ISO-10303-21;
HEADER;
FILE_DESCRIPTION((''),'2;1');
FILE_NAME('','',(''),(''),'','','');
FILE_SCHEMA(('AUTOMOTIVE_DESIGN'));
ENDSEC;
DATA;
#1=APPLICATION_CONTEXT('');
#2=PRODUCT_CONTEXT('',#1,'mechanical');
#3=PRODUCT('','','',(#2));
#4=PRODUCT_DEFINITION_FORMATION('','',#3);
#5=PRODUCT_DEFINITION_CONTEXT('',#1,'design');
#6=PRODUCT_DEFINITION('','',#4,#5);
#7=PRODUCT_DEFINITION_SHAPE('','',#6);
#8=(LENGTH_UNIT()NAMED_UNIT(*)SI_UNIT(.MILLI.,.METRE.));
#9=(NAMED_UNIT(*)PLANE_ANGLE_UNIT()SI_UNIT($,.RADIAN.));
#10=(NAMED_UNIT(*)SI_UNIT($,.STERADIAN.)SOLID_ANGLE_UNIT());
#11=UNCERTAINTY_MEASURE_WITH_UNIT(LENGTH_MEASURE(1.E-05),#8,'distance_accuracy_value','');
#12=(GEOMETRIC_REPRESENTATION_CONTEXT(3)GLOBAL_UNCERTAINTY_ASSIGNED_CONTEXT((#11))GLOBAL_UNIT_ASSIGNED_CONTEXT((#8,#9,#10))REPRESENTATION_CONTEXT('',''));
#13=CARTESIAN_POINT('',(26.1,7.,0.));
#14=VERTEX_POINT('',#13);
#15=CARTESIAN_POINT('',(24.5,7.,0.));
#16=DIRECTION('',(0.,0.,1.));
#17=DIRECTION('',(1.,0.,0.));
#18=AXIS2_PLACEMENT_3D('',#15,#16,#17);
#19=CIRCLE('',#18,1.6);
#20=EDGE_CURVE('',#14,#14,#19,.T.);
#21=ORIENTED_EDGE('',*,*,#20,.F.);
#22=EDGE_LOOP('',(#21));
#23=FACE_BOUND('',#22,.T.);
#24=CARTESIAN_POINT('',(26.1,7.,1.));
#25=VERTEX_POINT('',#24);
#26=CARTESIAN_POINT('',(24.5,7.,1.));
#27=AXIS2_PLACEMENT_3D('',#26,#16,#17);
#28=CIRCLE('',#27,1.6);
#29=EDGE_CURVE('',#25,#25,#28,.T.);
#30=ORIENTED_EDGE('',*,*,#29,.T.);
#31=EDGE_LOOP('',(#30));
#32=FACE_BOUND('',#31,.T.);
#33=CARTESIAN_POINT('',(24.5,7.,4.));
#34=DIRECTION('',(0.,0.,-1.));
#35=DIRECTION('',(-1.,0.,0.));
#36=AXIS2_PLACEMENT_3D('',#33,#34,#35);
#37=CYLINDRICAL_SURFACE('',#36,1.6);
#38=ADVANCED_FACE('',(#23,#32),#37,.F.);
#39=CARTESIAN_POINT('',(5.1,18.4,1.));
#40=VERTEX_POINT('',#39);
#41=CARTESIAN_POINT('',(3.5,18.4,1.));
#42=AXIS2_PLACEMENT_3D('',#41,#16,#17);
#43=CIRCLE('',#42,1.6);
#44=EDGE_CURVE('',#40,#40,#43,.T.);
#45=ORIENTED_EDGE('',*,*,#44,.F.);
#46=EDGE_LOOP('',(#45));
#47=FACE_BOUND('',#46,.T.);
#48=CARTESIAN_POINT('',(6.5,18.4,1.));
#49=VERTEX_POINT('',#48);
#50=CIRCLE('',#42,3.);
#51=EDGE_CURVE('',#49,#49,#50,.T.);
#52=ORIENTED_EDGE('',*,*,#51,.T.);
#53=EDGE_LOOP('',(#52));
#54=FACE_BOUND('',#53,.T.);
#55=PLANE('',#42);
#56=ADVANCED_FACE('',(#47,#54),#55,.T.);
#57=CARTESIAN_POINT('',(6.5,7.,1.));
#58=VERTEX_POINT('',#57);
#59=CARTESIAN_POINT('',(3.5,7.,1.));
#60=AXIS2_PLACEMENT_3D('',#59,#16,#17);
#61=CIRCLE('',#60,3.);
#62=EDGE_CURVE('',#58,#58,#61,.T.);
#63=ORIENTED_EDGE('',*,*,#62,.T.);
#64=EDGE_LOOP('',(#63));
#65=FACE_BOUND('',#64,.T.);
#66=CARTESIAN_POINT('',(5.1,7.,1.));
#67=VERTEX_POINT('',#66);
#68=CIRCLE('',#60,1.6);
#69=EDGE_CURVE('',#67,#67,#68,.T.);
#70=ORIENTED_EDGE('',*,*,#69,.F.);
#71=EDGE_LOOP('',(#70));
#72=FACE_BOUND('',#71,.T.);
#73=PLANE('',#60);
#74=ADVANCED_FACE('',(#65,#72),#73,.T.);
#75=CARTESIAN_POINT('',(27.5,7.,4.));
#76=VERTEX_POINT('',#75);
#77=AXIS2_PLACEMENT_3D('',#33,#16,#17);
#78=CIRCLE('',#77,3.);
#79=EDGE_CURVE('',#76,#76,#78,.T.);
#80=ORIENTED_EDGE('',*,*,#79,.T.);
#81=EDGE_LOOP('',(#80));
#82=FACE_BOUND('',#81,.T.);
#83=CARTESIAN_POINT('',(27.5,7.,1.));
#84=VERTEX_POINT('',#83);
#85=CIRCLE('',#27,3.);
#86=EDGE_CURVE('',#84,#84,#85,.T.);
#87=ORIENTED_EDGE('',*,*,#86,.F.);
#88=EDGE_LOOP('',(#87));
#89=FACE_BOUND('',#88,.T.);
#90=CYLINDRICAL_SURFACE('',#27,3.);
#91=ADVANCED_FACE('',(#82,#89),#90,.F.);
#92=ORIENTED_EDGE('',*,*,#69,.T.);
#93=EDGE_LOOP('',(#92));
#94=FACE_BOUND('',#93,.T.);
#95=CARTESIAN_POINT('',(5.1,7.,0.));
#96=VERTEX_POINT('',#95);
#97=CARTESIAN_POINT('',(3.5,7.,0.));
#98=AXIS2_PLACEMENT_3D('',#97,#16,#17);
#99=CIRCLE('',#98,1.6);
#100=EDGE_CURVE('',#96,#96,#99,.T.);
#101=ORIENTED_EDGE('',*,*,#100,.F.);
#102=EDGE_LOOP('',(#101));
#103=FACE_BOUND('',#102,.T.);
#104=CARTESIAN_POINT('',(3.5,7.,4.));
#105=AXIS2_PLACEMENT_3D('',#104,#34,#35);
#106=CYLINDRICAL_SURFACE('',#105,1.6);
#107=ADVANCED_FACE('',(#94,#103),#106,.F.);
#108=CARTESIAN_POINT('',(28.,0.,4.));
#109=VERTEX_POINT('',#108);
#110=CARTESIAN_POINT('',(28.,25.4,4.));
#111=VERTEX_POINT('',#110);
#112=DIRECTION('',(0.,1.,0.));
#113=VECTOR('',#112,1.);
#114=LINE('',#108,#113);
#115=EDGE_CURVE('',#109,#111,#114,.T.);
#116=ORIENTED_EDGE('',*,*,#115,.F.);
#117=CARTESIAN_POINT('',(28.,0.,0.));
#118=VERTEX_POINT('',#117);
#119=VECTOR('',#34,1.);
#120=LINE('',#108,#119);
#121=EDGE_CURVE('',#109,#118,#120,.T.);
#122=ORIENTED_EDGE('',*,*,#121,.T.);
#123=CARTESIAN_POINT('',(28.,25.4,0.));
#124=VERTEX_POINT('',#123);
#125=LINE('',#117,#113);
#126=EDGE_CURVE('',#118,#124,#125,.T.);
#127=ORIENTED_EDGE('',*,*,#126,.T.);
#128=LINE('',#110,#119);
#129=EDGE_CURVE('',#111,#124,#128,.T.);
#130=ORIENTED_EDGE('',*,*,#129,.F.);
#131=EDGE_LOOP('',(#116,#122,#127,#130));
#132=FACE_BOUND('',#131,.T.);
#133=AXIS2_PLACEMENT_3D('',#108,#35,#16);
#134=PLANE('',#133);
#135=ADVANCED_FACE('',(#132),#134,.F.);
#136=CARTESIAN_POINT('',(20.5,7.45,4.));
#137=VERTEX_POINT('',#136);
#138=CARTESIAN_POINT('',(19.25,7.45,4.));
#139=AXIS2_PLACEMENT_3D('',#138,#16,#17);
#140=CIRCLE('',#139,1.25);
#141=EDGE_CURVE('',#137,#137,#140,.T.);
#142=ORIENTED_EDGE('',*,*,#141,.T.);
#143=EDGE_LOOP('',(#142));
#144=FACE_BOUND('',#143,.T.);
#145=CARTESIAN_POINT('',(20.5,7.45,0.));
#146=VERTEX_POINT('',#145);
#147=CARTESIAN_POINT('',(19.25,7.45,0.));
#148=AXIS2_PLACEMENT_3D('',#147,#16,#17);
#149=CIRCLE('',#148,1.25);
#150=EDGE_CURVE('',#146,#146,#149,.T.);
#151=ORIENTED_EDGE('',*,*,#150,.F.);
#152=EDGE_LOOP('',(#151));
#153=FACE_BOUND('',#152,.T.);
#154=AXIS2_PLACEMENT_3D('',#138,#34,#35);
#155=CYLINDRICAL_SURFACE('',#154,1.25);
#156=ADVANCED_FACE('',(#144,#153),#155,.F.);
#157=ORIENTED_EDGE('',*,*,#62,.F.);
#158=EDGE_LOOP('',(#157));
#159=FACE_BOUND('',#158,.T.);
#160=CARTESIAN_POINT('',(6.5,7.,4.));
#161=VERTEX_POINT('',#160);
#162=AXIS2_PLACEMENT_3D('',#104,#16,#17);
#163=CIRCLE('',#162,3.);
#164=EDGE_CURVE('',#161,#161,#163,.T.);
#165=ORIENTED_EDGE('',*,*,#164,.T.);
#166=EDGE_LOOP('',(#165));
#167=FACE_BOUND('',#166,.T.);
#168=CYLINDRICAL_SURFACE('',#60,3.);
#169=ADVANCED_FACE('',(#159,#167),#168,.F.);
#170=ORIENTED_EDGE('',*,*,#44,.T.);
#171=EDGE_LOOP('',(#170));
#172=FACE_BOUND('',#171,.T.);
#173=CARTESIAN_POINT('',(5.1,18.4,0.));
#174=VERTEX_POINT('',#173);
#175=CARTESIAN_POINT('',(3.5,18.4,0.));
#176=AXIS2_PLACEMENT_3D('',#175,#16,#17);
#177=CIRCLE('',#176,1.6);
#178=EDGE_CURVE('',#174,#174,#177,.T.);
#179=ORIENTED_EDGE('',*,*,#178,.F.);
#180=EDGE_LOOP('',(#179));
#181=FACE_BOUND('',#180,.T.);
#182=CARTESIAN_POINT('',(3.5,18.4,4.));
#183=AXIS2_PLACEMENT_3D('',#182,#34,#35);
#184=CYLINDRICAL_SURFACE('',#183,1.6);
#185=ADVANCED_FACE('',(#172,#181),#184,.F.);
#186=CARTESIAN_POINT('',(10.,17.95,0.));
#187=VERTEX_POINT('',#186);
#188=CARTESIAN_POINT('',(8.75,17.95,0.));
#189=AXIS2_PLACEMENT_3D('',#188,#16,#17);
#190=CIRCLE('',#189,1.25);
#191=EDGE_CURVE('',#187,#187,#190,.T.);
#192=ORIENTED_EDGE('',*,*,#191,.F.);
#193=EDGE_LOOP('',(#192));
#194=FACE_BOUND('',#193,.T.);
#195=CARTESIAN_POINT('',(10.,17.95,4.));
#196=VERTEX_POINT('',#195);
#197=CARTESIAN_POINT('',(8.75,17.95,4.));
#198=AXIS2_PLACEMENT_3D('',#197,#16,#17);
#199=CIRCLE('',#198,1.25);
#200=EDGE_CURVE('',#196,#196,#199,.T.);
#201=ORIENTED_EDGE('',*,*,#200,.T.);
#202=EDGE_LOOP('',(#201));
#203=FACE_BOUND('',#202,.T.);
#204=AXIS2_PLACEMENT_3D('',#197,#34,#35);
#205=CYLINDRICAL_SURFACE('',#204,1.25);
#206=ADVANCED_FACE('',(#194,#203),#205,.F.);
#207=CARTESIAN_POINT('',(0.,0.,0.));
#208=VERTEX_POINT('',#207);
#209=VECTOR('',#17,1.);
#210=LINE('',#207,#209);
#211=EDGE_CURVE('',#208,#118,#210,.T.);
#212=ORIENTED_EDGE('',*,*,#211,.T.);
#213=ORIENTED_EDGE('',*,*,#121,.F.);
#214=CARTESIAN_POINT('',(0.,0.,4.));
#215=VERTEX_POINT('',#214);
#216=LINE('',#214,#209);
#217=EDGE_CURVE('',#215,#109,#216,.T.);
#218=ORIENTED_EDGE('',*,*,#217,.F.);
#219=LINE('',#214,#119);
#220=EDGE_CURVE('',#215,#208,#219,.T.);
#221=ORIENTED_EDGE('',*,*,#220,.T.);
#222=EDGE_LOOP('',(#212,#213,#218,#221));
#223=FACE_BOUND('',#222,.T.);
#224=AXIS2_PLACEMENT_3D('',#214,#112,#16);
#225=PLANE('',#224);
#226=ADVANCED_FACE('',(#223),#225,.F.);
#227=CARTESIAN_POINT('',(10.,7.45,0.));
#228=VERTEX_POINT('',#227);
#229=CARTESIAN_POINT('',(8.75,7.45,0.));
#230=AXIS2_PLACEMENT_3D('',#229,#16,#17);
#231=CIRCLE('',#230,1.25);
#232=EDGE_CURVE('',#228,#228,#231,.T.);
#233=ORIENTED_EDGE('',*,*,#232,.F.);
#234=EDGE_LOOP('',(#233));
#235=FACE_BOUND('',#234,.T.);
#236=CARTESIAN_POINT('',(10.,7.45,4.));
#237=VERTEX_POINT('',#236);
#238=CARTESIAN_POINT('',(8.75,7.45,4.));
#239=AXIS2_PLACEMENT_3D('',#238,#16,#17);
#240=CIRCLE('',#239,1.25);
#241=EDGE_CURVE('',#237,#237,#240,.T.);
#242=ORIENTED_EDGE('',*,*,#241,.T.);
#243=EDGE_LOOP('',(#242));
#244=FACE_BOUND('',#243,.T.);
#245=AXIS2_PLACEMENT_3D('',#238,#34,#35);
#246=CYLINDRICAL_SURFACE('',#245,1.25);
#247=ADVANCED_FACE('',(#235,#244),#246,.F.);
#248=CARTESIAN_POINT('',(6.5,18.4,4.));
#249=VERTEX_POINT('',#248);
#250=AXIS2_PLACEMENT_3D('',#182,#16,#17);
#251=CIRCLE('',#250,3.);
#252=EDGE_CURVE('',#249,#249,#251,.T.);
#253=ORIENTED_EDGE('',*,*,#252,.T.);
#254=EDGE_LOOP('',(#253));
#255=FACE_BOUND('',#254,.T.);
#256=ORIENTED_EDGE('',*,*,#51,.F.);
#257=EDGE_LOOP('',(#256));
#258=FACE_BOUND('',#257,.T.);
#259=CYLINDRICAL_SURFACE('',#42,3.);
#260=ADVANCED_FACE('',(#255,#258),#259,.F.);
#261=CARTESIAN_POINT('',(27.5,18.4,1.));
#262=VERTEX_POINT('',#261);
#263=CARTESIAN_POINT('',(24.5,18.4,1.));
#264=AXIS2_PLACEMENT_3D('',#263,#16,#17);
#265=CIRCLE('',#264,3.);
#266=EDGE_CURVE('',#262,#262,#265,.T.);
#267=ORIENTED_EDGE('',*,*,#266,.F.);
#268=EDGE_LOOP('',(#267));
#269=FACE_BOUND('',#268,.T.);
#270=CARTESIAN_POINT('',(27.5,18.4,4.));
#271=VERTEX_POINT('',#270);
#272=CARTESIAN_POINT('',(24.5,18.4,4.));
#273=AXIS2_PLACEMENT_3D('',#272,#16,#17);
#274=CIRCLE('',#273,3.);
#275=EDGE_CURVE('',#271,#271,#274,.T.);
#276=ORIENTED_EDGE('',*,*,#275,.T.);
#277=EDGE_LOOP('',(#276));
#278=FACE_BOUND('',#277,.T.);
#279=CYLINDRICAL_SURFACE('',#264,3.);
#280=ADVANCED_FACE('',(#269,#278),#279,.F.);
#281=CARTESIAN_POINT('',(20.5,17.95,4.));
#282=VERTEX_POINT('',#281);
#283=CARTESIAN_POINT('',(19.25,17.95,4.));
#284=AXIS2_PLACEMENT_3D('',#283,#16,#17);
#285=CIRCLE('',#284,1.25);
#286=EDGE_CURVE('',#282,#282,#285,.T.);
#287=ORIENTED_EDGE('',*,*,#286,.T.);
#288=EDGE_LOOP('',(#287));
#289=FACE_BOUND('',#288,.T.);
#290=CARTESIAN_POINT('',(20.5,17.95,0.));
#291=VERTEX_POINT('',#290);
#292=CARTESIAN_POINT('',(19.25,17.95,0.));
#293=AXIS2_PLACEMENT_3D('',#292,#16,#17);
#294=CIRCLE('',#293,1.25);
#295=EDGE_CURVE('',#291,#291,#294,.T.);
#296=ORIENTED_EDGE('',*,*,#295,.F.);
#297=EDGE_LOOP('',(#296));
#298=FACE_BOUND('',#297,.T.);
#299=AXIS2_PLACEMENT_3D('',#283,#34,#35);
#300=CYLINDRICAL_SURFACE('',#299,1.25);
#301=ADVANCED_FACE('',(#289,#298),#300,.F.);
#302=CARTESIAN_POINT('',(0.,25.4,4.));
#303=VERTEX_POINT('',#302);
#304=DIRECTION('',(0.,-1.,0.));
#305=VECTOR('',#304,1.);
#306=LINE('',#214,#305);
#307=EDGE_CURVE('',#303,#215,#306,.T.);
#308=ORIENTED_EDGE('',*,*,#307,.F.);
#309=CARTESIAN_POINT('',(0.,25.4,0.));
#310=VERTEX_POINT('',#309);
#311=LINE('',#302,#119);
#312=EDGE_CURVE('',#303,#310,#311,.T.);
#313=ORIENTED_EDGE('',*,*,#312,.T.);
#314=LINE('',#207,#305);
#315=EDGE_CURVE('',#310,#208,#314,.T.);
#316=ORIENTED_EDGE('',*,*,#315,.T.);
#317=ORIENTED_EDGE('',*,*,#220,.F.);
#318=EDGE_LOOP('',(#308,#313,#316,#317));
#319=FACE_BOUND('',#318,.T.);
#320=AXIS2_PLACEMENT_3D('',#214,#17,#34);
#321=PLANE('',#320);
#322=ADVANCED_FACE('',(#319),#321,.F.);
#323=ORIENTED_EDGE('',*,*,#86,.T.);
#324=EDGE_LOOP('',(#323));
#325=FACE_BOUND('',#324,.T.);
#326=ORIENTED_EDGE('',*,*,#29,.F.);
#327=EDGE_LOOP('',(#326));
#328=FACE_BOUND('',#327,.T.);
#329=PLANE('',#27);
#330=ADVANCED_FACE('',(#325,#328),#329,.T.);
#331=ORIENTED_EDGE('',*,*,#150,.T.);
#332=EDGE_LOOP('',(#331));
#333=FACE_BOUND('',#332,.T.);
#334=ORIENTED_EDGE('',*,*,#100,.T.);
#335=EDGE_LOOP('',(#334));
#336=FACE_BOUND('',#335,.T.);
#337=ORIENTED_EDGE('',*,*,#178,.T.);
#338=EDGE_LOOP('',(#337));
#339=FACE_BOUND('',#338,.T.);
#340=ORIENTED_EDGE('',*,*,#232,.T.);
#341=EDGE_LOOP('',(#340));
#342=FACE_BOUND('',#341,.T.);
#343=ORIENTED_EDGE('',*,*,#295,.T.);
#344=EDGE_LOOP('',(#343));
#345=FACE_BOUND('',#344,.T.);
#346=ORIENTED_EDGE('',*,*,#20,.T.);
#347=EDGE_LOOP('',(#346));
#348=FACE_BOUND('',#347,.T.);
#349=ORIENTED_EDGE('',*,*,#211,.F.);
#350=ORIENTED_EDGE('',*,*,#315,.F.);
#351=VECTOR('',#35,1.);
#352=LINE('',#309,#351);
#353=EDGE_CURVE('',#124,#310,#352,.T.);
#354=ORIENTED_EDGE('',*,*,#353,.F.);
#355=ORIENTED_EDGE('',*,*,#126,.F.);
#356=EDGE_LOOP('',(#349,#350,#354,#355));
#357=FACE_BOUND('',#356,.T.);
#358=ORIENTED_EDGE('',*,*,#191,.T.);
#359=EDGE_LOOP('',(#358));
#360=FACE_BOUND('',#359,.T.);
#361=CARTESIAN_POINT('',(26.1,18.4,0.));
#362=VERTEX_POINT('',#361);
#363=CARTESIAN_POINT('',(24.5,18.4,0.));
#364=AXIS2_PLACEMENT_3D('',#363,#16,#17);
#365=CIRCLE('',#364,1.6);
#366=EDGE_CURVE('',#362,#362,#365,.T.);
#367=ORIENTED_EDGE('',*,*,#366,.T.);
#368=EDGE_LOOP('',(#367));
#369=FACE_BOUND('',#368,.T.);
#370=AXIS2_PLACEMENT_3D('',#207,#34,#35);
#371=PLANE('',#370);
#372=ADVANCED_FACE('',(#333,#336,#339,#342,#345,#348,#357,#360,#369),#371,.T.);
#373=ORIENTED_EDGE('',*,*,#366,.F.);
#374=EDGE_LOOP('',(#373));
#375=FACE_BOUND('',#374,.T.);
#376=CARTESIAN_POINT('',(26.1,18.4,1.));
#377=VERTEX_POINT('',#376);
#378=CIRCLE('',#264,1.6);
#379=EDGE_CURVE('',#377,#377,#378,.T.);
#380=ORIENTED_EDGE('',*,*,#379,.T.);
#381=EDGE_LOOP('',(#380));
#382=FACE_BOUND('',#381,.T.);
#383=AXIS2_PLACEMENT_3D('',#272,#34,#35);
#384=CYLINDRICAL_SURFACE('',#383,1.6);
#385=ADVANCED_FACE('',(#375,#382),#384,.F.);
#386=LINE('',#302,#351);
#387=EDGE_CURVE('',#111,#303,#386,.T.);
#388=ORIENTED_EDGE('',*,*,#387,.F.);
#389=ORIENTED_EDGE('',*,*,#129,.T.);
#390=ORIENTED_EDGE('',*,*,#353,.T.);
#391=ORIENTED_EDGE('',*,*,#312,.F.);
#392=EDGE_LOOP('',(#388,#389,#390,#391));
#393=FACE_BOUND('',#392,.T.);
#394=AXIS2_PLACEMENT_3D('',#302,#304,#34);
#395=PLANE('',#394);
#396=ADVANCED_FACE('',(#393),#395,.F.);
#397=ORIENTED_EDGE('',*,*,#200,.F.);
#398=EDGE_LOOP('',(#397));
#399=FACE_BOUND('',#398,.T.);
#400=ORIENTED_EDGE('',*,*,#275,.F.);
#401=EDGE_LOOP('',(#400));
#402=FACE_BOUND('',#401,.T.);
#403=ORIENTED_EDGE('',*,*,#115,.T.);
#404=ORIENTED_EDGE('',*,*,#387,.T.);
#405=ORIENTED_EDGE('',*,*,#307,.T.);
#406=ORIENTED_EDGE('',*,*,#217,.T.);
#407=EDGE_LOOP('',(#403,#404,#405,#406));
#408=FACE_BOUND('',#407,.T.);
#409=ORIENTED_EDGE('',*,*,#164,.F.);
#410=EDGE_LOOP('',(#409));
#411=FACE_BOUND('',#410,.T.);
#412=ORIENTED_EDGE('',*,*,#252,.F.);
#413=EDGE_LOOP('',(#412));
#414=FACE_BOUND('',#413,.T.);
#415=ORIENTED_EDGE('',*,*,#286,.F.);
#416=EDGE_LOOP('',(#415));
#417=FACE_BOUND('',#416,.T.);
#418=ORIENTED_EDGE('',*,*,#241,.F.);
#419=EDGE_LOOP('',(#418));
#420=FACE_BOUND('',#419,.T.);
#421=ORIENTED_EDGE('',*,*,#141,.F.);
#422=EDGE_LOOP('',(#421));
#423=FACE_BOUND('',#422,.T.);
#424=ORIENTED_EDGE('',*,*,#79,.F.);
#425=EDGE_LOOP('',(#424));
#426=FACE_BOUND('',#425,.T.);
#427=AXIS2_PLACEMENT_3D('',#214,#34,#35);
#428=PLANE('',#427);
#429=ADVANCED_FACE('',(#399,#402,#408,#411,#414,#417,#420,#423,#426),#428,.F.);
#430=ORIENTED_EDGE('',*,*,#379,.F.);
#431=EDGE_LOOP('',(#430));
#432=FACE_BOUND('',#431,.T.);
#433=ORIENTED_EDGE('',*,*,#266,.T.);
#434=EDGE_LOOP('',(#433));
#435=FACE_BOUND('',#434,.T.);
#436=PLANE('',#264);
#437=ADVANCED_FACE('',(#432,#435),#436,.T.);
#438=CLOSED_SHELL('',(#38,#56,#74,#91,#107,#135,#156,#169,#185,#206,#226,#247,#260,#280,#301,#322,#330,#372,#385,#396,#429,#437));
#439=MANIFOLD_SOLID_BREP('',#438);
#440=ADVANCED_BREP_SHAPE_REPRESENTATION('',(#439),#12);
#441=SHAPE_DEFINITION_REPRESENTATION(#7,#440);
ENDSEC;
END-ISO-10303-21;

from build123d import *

# Parameters (mm, degrees)
SKETCH1_W           = 28
SKETCH1_H           = 25.4
SKETCH1_R           = 1.25
SKETCH1_R_2         = 1.6
BOSS_EXTRUDE1_DEPTH = 4
SKETCH2_R           = 3
CUT_EXTRUDE1_DEPTH  = 3


with BuildPart() as part:
    # Sketch1 → Boss-Extrude1 (new body)
    with BuildSketch(Plane.XY):
        with Locations((14, 12.7)):
            Rectangle(SKETCH1_W, SKETCH1_H)
        with Locations((8.75, 17.95)):
            Circle(SKETCH1_R, mode=Mode.SUBTRACT)
        with Locations((19.25, 17.95)):
            Circle(SKETCH1_R, mode=Mode.SUBTRACT)
        with Locations((19.25, 7.45)):
            Circle(SKETCH1_R, mode=Mode.SUBTRACT)
        with Locations((8.75, 7.45)):
            Circle(SKETCH1_R, mode=Mode.SUBTRACT)
        with Locations((3.5, 18.4)):
            Circle(SKETCH1_R_2, mode=Mode.SUBTRACT)
        with Locations((3.5, 7)):
            Circle(SKETCH1_R_2, mode=Mode.SUBTRACT)
        with Locations((24.5, 7)):
            Circle(SKETCH1_R_2, mode=Mode.SUBTRACT)
        with Locations((24.5, 18.4)):
            Circle(SKETCH1_R_2, mode=Mode.SUBTRACT)
    extrude(amount=BOSS_EXTRUDE1_DEPTH)

    # Sketch2 → Cut-Extrude1 (cut)
    with BuildSketch(Plane.XY.offset(4)):
        with Locations((24.5, 18.4)):
            Circle(SKETCH2_R)
        with Locations((3.5, 18.4)):
            Circle(SKETCH2_R)
        with Locations((3.5, 7)):
            Circle(SKETCH2_R)
        with Locations((24.5, 7)):
            Circle(SKETCH2_R)
    extrude(amount=-CUT_EXTRUDE1_DEPTH, mode=Mode.SUBTRACT)


solid = part.part
